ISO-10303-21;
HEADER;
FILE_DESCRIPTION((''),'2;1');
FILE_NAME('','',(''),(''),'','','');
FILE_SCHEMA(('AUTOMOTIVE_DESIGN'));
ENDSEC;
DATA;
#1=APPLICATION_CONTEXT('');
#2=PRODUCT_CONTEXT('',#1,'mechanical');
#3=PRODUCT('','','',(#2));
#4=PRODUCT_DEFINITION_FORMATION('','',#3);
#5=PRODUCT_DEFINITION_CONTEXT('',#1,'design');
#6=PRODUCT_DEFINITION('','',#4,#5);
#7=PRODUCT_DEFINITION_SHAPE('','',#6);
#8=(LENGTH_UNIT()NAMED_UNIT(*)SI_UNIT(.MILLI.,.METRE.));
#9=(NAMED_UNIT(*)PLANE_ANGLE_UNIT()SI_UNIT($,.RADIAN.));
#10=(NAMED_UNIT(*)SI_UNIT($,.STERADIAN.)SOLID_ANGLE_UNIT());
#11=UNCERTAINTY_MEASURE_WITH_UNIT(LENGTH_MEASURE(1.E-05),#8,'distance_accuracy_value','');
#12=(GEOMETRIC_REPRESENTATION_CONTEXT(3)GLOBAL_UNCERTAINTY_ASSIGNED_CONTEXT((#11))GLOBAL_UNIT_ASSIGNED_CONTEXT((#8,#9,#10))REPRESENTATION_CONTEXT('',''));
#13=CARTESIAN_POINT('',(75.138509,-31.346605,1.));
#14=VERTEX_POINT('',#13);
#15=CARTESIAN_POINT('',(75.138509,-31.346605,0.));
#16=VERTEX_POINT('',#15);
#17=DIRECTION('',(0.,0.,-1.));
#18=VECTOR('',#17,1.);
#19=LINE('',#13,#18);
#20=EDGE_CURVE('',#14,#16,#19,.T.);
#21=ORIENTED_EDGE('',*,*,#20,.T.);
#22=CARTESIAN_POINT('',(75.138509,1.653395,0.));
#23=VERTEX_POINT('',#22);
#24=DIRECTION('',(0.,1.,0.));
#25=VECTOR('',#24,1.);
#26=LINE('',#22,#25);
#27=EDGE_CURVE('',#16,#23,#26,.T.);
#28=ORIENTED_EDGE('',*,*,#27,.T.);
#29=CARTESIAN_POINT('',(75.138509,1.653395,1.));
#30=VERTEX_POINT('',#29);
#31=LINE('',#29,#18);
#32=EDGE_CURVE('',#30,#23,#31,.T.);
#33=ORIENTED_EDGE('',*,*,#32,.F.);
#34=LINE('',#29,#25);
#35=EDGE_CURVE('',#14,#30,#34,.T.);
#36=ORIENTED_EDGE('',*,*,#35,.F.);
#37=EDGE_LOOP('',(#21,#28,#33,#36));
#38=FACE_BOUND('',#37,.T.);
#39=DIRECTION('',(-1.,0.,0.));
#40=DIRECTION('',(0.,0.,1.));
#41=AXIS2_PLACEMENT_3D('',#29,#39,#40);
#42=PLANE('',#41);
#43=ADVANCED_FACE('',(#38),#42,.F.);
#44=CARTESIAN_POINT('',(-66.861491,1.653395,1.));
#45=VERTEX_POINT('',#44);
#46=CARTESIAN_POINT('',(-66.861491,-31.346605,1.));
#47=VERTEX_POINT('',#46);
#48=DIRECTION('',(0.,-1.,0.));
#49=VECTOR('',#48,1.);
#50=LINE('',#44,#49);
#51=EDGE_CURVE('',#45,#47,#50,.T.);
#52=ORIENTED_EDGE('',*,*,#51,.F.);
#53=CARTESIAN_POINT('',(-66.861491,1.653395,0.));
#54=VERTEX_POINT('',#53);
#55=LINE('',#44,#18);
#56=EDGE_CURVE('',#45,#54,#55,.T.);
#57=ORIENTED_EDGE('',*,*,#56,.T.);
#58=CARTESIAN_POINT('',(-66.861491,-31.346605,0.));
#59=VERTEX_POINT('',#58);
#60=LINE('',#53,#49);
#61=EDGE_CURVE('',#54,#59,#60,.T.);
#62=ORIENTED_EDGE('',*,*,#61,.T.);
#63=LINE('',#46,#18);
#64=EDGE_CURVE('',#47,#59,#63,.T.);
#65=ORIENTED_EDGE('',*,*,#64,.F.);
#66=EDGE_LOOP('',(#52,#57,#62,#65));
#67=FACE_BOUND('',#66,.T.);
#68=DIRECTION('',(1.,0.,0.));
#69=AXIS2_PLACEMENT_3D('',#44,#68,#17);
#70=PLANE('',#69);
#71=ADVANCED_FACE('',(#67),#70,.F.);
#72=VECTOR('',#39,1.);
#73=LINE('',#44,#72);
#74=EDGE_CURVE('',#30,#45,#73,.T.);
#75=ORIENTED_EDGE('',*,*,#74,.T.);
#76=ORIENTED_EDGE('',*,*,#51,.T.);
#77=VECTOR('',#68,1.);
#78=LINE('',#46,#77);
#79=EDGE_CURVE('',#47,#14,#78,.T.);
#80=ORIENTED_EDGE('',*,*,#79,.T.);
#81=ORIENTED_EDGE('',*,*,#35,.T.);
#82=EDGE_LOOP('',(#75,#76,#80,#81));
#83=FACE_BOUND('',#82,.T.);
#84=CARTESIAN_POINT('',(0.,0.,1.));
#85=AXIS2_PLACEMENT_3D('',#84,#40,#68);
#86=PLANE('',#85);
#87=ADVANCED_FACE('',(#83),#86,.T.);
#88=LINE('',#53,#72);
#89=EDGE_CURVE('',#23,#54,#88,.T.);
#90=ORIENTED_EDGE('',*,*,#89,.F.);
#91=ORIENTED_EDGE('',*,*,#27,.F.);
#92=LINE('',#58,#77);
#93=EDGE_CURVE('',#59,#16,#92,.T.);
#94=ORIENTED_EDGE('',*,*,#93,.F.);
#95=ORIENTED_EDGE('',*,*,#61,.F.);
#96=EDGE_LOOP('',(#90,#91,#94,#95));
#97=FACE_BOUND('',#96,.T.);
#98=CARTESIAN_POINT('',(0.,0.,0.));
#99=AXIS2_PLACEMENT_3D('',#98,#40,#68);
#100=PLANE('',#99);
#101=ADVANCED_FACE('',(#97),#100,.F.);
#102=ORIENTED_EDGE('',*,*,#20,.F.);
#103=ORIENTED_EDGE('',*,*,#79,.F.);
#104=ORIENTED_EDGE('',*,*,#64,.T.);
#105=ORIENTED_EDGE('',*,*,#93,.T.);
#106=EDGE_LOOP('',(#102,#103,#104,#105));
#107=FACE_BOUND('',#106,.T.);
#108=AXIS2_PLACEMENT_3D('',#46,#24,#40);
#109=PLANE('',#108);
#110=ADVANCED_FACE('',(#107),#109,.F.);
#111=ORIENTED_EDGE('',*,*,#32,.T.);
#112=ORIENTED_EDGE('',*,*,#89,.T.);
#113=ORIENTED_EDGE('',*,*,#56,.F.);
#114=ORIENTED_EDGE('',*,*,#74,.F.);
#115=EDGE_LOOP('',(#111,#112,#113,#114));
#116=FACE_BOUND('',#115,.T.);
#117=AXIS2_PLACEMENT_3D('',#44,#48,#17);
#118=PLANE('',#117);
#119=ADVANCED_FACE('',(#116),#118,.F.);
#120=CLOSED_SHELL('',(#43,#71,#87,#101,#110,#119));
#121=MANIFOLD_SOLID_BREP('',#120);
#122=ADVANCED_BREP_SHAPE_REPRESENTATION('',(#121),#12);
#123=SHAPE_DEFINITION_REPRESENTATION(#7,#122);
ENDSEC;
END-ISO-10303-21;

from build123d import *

# Parameters (mm, degrees)
SKETCH_1_W      = 142
SKETCH_1_H      = 33
EXTRUDE_1_DEPTH = 1


with BuildPart() as part:
    # 草图1 → 凸台-拉伸1 (new body)
    with BuildSketch(Plane.XY):
        with Locations((4.138508859, -14.846605332)):
            Rectangle(SKETCH_1_W, SKETCH_1_H)
    extrude(amount=EXTRUDE_1_DEPTH)


solid = part.part
